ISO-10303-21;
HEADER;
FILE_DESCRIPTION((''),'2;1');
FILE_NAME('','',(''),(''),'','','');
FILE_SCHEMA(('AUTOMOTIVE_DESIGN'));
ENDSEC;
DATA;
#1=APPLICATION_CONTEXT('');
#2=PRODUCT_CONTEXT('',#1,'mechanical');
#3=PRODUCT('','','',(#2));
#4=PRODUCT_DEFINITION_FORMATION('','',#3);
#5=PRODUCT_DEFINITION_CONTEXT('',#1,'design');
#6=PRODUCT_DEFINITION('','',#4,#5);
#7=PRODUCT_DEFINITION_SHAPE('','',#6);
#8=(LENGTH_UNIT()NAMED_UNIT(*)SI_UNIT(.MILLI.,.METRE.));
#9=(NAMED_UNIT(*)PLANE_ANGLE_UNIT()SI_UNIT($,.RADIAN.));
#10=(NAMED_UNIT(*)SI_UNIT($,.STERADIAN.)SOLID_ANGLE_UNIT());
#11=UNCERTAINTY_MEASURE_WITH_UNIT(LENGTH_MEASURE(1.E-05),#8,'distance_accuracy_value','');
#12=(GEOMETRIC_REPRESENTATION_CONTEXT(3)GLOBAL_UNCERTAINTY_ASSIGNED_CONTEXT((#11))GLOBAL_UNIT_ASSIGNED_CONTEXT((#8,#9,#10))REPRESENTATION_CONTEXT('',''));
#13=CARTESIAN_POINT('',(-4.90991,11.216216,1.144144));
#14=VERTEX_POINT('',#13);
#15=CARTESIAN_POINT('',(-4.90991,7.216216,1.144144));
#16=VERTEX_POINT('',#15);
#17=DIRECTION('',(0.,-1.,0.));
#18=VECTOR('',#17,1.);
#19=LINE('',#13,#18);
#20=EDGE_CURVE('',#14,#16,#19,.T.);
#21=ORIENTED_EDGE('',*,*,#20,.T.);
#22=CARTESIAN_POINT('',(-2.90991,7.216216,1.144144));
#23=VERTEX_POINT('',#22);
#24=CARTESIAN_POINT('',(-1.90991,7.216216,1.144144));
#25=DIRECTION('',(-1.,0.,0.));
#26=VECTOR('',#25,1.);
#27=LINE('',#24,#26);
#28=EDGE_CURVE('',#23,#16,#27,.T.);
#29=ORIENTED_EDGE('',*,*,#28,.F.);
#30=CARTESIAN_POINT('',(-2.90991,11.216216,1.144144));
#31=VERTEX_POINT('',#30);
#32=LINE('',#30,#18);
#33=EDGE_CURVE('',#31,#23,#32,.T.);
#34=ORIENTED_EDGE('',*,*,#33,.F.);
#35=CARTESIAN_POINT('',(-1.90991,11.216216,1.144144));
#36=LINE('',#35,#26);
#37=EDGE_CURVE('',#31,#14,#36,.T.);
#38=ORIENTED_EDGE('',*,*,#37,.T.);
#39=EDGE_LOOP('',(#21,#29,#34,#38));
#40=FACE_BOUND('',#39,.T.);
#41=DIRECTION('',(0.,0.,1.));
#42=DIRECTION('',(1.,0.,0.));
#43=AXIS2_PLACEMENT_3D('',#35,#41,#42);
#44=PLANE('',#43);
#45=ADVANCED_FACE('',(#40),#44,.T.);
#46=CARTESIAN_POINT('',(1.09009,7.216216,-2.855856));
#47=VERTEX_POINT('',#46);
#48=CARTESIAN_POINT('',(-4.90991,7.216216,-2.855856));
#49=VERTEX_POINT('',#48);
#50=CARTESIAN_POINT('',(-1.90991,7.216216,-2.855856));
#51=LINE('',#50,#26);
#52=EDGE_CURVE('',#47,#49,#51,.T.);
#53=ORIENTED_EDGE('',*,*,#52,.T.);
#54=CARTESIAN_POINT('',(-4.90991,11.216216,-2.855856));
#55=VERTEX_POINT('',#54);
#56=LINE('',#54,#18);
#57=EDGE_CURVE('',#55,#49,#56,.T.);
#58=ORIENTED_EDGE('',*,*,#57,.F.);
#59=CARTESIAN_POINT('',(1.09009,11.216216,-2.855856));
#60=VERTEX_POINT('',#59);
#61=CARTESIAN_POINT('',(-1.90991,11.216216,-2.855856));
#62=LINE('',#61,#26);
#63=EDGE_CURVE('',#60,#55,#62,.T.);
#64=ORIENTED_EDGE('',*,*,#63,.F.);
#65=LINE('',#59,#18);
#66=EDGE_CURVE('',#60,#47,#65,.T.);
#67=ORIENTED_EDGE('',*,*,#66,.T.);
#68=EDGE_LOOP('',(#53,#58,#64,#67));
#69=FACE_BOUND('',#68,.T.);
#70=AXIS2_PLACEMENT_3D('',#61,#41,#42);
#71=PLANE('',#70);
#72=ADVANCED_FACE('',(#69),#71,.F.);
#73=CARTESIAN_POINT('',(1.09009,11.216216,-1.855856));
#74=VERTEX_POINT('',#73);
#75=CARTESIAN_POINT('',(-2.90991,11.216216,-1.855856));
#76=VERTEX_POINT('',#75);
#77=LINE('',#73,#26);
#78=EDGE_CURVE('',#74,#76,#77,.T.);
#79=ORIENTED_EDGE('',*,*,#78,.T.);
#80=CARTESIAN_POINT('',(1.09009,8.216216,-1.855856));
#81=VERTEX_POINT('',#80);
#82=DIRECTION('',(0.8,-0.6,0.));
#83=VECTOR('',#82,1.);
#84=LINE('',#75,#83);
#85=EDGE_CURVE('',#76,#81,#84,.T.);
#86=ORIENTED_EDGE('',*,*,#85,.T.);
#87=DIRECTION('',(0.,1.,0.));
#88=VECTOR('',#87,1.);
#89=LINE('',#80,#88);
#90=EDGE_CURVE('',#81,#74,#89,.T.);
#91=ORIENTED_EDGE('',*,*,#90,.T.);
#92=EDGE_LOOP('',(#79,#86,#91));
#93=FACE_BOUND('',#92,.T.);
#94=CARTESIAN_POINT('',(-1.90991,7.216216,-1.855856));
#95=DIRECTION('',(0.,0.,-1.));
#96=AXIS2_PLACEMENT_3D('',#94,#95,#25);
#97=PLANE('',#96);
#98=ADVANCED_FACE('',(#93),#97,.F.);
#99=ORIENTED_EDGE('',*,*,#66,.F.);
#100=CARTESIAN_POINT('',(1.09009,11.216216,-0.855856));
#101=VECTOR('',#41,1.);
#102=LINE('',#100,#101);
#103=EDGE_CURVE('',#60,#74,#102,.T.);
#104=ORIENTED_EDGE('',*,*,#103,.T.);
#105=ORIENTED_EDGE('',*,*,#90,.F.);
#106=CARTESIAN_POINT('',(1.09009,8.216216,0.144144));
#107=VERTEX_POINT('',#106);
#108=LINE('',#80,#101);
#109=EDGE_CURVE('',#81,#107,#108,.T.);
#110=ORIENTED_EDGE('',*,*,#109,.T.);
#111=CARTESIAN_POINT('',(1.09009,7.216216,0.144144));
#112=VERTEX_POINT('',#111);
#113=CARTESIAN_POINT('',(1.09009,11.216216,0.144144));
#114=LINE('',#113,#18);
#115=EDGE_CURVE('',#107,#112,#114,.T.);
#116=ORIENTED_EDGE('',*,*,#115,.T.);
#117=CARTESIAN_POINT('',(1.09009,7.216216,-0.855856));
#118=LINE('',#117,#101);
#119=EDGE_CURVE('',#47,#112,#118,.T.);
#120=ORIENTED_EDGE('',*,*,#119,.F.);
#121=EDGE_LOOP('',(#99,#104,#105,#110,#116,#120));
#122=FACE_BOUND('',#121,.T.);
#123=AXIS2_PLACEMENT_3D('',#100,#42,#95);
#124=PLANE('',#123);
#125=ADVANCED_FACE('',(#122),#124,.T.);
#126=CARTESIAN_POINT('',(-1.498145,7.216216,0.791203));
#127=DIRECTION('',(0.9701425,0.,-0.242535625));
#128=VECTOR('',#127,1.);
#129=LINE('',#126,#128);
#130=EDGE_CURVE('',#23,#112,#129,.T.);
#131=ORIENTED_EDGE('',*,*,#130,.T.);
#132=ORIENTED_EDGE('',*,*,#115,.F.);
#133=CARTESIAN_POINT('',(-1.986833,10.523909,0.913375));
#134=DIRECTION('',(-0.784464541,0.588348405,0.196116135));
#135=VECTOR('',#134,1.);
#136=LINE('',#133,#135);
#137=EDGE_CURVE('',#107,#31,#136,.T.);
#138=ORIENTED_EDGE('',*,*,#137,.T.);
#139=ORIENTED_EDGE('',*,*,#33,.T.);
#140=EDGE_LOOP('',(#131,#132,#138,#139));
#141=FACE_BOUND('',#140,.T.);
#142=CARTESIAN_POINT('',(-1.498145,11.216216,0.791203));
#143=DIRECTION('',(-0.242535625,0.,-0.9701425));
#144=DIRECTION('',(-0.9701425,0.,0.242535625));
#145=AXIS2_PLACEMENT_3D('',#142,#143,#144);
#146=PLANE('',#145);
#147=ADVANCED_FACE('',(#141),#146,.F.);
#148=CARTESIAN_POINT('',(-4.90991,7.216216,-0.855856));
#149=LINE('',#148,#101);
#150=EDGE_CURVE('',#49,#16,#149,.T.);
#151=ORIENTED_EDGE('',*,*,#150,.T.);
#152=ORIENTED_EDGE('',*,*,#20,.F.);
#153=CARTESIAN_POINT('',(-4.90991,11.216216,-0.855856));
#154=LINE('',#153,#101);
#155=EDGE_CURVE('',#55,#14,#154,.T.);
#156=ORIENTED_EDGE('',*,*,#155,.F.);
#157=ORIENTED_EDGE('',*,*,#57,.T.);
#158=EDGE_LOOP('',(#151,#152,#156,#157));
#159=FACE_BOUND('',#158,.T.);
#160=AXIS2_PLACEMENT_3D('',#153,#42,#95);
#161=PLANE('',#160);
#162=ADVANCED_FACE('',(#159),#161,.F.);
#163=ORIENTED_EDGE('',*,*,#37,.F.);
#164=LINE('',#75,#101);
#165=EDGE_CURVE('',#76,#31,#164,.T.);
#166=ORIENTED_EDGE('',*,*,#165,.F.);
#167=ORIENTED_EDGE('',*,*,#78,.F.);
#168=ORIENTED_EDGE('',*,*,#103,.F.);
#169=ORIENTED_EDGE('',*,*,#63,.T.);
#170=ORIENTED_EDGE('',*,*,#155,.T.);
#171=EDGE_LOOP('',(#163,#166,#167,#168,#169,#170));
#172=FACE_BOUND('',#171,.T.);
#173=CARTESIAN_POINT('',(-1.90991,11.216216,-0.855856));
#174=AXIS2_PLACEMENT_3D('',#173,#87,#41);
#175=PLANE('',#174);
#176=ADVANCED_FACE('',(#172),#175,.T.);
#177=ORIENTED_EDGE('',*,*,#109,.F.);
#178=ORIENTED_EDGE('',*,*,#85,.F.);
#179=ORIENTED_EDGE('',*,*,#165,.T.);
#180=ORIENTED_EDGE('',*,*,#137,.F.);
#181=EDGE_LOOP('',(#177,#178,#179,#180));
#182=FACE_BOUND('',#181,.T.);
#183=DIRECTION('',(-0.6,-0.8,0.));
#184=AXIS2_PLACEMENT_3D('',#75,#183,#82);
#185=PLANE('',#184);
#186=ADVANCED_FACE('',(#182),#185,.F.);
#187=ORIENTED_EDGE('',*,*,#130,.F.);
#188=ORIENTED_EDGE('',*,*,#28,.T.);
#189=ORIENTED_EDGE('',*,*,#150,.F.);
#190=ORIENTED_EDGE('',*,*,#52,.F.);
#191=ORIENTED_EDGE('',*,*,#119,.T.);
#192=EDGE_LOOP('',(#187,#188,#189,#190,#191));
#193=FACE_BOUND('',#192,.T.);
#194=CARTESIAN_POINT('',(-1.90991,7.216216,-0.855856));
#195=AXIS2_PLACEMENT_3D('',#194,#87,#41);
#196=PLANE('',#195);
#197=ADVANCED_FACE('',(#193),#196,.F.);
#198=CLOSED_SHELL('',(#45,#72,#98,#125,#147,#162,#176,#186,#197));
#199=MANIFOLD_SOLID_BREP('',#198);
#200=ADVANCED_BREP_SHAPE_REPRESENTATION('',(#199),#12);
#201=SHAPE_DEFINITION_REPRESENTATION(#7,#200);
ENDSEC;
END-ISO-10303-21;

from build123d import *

# Parameters (mm, degrees)
EXTRUDE_1_DEPTH     = 20
EXTRUDE_2_DEPTH     = 20
CUT_EXTRUDE_1_DEPTH = 15
SCALE_1_SCALE       = 0.2


with BuildPart() as part:
    # 草圖1 → 填料-伸長1 (new body)
    with BuildSketch(Plane(origin=(0, 0, 0), x_dir=(1, 0, 0), z_dir=(0, 1, 0))):
        Polygon((-5, 5), (-5, -10), (15, -5), (15, 5), align=None)
    extrude(amount=EXTRUDE_1_DEPTH)

    # 草圖1<3> → 填料-伸長2 (add)
    with BuildSketch(Plane(origin=(0, 0, 0), x_dir=(1, 0, 0), z_dir=(0, 1, 0))):
        Polygon((-15, -10), (-5, -10), (-5, 5), (15, 5), (15, 10), (-15, 10), align=None)
    extrude(amount=EXTRUDE_2_DEPTH)

    # 草圖2 → 除料-伸長1 (cut)
    with BuildSketch(Plane.XY.offset(10)):
        Polygon((-5, 20), (15, 5), (15, 20), align=None)
    extrude(amount=-CUT_EXTRUDE_1_DEPTH, mode=Mode.SUBTRACT)


with BuildPart() as part_1:
    # 縮放比例1: scaled about (-2.387387387, 9.02027027, -1.06981982)
    add(part.part.scale(SCALE_1_SCALE).moved(Location((-1.90990991, 7.216216216, -0.855855856))))


solid = part_1.part
